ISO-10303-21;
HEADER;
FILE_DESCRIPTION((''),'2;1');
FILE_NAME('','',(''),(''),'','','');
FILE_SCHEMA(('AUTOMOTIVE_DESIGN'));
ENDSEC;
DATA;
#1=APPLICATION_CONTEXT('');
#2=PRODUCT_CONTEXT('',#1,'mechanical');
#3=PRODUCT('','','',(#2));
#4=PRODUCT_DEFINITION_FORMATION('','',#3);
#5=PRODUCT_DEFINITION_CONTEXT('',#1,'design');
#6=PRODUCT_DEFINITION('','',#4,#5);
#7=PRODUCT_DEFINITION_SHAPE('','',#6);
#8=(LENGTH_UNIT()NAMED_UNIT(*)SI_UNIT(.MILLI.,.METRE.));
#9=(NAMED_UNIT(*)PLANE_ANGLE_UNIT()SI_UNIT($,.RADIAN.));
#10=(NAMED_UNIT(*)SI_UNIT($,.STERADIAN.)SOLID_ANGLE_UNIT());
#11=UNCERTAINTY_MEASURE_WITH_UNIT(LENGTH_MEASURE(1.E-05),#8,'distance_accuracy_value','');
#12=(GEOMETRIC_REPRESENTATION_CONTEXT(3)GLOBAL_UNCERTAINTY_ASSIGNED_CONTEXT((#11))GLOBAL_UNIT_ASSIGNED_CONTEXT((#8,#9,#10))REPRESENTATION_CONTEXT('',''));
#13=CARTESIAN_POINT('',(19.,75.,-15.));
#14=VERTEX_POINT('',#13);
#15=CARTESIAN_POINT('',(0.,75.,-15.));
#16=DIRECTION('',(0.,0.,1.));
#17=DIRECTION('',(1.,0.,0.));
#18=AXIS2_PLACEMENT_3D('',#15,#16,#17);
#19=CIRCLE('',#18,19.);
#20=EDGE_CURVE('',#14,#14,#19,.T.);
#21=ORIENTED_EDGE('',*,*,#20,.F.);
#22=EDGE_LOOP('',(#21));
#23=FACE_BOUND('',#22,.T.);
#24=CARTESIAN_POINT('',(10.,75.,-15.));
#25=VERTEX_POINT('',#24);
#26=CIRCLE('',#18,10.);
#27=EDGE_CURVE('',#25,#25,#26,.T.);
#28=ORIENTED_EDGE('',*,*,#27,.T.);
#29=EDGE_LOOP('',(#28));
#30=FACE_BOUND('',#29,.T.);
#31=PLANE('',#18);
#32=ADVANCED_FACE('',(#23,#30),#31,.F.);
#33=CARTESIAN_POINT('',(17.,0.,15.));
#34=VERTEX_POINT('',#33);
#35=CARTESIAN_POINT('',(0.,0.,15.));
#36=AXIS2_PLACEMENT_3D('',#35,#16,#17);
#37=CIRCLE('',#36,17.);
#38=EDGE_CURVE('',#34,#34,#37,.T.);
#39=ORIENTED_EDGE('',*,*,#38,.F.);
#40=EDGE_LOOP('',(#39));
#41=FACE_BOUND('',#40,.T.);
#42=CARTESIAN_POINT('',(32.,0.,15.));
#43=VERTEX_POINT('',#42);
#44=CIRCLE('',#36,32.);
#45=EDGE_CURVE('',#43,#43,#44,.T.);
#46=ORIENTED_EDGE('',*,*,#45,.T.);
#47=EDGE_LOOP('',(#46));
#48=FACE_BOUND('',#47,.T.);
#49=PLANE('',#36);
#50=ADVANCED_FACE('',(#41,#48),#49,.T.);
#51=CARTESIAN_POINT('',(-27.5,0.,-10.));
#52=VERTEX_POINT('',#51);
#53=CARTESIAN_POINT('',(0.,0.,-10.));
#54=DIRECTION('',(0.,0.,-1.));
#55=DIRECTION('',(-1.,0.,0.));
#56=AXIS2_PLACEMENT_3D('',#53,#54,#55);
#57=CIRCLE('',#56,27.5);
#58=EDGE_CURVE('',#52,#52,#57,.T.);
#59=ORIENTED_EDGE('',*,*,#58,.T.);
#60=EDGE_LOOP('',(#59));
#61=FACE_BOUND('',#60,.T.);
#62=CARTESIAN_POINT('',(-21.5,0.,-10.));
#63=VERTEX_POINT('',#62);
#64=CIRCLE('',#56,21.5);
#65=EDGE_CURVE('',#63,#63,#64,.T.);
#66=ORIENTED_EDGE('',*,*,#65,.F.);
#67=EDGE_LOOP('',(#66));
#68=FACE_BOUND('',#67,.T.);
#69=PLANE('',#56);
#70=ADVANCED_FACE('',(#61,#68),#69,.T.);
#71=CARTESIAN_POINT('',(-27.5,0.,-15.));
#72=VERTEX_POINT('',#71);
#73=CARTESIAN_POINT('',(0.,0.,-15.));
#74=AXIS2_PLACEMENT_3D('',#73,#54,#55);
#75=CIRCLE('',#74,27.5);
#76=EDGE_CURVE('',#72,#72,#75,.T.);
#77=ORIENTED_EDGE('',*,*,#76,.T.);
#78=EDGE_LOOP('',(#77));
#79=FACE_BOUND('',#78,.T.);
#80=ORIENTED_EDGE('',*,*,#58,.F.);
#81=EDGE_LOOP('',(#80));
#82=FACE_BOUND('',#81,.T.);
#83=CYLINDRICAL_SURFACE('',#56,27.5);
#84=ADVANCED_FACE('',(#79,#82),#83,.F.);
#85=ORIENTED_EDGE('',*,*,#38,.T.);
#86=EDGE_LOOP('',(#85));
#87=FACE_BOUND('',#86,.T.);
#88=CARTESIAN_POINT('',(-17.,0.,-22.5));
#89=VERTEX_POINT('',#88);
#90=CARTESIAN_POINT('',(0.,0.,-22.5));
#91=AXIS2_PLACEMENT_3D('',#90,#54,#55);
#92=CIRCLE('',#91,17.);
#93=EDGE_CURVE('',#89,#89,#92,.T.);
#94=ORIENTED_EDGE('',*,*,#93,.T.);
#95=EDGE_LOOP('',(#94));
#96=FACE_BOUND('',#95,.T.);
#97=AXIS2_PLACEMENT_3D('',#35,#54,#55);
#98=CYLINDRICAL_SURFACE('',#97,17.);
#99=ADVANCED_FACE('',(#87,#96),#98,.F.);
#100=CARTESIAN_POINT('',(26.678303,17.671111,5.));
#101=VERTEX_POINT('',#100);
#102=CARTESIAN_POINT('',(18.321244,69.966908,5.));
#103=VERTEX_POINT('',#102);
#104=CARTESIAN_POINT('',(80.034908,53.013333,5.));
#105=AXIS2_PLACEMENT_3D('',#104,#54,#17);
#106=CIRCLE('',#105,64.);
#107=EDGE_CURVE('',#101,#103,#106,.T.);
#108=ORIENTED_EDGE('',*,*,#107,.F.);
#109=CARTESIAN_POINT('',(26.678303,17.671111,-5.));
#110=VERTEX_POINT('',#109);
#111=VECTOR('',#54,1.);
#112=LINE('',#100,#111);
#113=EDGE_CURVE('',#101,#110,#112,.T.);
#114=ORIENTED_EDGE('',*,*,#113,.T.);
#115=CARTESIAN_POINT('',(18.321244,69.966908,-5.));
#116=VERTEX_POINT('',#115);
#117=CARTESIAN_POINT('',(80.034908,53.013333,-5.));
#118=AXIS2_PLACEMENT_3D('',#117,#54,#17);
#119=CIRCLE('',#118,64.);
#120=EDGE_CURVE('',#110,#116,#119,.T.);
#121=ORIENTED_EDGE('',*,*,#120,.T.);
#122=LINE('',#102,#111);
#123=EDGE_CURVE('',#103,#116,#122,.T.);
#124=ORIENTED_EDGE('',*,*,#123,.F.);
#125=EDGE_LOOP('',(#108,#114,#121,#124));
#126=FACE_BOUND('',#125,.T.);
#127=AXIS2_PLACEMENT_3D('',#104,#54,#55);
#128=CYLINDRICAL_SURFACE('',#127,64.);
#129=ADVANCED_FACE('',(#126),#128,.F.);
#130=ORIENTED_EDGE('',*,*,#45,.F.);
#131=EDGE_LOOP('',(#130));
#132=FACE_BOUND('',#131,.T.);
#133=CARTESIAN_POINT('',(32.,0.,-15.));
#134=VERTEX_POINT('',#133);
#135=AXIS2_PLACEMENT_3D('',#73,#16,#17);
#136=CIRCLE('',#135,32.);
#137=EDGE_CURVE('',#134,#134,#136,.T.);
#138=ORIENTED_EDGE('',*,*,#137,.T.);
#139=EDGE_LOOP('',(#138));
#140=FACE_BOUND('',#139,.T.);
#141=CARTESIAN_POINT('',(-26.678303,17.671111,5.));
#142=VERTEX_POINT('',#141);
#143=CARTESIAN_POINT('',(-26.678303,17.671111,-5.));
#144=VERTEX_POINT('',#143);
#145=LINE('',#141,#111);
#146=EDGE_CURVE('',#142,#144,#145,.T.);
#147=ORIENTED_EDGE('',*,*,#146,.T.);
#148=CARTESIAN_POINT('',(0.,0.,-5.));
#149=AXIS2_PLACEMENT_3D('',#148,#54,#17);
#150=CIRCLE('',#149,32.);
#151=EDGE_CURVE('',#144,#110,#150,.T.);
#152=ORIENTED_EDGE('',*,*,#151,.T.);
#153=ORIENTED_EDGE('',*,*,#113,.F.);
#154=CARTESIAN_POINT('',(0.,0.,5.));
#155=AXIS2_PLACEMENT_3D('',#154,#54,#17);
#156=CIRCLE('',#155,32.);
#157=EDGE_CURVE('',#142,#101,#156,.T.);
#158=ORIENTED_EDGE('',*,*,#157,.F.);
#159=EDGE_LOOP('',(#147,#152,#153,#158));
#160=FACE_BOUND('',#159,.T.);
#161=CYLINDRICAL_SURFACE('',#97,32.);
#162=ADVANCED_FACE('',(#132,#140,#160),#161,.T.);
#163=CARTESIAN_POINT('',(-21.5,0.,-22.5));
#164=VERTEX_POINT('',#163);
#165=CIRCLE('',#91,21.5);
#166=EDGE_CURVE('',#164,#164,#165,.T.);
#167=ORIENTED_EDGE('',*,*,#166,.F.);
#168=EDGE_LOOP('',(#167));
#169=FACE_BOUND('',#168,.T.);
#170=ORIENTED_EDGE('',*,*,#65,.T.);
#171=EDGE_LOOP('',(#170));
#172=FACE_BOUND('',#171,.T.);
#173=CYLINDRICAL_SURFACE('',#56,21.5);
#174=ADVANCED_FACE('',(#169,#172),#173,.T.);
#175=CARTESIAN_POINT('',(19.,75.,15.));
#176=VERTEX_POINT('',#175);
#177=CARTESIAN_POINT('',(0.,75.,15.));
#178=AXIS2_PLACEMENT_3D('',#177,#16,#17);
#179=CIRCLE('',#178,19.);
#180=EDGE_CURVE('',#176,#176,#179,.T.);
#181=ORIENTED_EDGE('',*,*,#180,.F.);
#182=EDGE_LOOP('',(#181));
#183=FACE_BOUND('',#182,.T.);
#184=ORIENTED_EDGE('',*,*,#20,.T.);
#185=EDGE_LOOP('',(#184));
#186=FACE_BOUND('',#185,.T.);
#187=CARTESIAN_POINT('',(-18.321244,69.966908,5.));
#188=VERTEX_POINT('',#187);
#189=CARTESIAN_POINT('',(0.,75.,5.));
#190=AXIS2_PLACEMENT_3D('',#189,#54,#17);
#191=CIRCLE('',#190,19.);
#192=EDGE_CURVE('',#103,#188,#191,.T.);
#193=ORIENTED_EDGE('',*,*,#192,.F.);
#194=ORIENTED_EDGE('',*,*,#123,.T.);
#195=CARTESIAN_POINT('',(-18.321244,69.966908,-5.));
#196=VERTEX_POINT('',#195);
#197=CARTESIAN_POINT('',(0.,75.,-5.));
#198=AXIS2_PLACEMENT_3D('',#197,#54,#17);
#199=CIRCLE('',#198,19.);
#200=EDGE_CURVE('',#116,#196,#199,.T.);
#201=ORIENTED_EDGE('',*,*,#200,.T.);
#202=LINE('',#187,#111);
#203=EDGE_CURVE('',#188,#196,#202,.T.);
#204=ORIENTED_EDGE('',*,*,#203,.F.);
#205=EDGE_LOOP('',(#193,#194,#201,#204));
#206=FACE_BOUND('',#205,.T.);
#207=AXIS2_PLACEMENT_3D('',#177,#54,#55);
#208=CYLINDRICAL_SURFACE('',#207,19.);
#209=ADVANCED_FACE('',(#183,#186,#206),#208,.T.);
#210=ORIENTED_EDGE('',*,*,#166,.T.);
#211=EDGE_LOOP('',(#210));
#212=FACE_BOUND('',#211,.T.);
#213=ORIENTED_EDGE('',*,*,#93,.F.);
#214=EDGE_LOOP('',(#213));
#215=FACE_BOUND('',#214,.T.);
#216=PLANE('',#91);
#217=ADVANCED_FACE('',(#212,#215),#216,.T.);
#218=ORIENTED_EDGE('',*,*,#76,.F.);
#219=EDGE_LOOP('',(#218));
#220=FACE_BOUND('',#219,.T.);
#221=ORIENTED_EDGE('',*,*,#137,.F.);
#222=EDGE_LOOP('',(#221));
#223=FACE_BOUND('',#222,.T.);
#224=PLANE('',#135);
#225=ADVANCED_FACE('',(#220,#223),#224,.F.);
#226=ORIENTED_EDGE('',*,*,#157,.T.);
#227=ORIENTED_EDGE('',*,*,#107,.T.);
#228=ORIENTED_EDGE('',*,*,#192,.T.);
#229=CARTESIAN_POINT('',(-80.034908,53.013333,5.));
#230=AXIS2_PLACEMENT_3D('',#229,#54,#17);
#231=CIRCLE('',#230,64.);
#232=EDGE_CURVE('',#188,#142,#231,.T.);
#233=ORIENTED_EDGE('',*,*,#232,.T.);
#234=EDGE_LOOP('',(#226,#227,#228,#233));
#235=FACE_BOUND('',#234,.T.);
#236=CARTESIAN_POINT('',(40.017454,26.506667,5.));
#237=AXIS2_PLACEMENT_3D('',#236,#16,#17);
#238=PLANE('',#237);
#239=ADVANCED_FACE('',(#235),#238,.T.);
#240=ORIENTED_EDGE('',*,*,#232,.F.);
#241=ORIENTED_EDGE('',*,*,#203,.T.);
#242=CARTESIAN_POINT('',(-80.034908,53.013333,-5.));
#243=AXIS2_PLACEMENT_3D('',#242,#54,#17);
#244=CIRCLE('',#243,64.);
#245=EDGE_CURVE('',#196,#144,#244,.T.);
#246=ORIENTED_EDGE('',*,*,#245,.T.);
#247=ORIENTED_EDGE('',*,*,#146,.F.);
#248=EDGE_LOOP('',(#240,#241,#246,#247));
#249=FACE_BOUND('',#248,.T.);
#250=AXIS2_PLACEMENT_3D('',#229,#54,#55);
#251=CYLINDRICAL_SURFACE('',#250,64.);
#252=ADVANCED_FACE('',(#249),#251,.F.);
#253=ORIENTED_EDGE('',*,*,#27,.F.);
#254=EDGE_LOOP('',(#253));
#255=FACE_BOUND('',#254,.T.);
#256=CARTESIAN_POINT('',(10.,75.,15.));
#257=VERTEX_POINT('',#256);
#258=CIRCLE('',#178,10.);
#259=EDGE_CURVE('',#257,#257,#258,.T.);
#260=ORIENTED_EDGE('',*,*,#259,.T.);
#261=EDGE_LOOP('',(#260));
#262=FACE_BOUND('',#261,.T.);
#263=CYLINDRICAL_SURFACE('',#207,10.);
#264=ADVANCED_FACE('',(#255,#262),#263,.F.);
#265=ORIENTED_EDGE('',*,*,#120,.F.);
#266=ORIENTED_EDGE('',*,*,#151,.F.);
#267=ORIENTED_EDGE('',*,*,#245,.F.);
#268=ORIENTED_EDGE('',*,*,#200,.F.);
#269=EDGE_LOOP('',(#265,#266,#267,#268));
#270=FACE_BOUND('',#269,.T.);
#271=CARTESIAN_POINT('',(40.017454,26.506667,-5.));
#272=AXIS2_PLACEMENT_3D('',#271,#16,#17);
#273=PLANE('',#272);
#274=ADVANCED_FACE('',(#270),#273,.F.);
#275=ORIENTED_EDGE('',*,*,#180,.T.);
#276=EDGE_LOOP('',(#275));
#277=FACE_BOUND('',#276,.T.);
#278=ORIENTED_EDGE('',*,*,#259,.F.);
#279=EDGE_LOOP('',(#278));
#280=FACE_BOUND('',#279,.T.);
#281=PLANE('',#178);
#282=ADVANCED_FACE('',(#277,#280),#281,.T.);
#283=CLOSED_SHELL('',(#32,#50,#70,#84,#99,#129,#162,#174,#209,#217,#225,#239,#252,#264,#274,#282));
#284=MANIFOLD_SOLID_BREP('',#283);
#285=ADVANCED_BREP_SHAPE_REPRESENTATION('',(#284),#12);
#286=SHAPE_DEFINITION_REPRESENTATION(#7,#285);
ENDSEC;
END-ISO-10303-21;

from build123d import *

# Parameters (mm, degrees)
ESQUISSE1_R             = 32
ESQUISSE1_R_2           = 17
BOSS_EXTRU_1_DEPTH      = 15
ESQUISSE1_R_3           = 19
ESQUISSE1_R_4           = 10
BOSS_EXTRU_1_2_DEPTH    = 15
BOSS_EXTRU_2_DEPTH      = 5
ESQUISSE3_R             = 27.5
ESQUISSE3_R_2           = 21.5
ENL_V_MAT_EXTRU_1_DEPTH = 5
ESQUISSE4_R             = 21.5
ESQUISSE4_R_2           = 17
BOSS_EXTRU_3_DEPTH      = 7.5


with BuildPart() as part:
    # Esquisse1 → Boss.-Extru.1 (new body, symmetric)
    with BuildSketch(Plane.XY):
        Circle(ESQUISSE1_R)
        Circle(ESQUISSE1_R_2, mode=Mode.SUBTRACT)
    extrude(amount=BOSS_EXTRU_1_DEPTH, both=True)



with BuildPart() as body_2:
    # Esquisse1 → Boss.-Extru.1 2 (new body, symmetric)
    with BuildSketch(Plane.XY):
        with Locations((0, 75)):
            Circle(ESQUISSE1_R_3)
        with Locations((0, 75)):
            Circle(ESQUISSE1_R_4, mode=Mode.SUBTRACT)
    extrude(amount=BOSS_EXTRU_1_2_DEPTH, both=True)


with BuildPart() as part_1:
    add(part.part)

    add(body_2.part)  # Boss.-Extru.2 merges body 2
    # Esquisse2 → Boss.-Extru.2 (add, symmetric)
    with BuildSketch(Plane.XY):
        with BuildLine():
            ThreePointArc((26.678302647, 17.671111111), (0, 32), (-26.678302647, 17.671111111))
            ThreePointArc((-26.678302647, 17.671111111), (-16.836772686, 42.914041255), (-18.321243986, 69.966907631))
            ThreePointArc((-18.321243986, 69.966907631), (0, 56), (18.321243986, 69.966907631))
            ThreePointArc((18.321243986, 69.966907631), (16.836772686, 42.914041255), (26.678302647, 17.671111111))
        make_face()
    extrude(amount=BOSS_EXTRU_2_DEPTH, both=True)

    # Esquisse3 → Enlèv. mat.-Extru.1 (cut)
    with BuildSketch(Plane(origin=(0, 0, -15), x_dir=(-1, 0, 0), z_dir=(0, 0, -1))):
        Circle(ESQUISSE3_R)
        Circle(ESQUISSE3_R_2, mode=Mode.SUBTRACT)
    extrude(amount=-ENL_V_MAT_EXTRU_1_DEPTH, mode=Mode.SUBTRACT)

    # Esquisse4 → Boss.-Extru.3 (add, symmetric)
    with BuildSketch(Plane(origin=(0, 0, -15), x_dir=(-1, 0, 0), z_dir=(0, 0, -1))):
        Circle(ESQUISSE4_R)
        Circle(ESQUISSE4_R_2, mode=Mode.SUBTRACT)
    extrude(amount=BOSS_EXTRU_3_DEPTH, both=True)


solid = part_1.part
